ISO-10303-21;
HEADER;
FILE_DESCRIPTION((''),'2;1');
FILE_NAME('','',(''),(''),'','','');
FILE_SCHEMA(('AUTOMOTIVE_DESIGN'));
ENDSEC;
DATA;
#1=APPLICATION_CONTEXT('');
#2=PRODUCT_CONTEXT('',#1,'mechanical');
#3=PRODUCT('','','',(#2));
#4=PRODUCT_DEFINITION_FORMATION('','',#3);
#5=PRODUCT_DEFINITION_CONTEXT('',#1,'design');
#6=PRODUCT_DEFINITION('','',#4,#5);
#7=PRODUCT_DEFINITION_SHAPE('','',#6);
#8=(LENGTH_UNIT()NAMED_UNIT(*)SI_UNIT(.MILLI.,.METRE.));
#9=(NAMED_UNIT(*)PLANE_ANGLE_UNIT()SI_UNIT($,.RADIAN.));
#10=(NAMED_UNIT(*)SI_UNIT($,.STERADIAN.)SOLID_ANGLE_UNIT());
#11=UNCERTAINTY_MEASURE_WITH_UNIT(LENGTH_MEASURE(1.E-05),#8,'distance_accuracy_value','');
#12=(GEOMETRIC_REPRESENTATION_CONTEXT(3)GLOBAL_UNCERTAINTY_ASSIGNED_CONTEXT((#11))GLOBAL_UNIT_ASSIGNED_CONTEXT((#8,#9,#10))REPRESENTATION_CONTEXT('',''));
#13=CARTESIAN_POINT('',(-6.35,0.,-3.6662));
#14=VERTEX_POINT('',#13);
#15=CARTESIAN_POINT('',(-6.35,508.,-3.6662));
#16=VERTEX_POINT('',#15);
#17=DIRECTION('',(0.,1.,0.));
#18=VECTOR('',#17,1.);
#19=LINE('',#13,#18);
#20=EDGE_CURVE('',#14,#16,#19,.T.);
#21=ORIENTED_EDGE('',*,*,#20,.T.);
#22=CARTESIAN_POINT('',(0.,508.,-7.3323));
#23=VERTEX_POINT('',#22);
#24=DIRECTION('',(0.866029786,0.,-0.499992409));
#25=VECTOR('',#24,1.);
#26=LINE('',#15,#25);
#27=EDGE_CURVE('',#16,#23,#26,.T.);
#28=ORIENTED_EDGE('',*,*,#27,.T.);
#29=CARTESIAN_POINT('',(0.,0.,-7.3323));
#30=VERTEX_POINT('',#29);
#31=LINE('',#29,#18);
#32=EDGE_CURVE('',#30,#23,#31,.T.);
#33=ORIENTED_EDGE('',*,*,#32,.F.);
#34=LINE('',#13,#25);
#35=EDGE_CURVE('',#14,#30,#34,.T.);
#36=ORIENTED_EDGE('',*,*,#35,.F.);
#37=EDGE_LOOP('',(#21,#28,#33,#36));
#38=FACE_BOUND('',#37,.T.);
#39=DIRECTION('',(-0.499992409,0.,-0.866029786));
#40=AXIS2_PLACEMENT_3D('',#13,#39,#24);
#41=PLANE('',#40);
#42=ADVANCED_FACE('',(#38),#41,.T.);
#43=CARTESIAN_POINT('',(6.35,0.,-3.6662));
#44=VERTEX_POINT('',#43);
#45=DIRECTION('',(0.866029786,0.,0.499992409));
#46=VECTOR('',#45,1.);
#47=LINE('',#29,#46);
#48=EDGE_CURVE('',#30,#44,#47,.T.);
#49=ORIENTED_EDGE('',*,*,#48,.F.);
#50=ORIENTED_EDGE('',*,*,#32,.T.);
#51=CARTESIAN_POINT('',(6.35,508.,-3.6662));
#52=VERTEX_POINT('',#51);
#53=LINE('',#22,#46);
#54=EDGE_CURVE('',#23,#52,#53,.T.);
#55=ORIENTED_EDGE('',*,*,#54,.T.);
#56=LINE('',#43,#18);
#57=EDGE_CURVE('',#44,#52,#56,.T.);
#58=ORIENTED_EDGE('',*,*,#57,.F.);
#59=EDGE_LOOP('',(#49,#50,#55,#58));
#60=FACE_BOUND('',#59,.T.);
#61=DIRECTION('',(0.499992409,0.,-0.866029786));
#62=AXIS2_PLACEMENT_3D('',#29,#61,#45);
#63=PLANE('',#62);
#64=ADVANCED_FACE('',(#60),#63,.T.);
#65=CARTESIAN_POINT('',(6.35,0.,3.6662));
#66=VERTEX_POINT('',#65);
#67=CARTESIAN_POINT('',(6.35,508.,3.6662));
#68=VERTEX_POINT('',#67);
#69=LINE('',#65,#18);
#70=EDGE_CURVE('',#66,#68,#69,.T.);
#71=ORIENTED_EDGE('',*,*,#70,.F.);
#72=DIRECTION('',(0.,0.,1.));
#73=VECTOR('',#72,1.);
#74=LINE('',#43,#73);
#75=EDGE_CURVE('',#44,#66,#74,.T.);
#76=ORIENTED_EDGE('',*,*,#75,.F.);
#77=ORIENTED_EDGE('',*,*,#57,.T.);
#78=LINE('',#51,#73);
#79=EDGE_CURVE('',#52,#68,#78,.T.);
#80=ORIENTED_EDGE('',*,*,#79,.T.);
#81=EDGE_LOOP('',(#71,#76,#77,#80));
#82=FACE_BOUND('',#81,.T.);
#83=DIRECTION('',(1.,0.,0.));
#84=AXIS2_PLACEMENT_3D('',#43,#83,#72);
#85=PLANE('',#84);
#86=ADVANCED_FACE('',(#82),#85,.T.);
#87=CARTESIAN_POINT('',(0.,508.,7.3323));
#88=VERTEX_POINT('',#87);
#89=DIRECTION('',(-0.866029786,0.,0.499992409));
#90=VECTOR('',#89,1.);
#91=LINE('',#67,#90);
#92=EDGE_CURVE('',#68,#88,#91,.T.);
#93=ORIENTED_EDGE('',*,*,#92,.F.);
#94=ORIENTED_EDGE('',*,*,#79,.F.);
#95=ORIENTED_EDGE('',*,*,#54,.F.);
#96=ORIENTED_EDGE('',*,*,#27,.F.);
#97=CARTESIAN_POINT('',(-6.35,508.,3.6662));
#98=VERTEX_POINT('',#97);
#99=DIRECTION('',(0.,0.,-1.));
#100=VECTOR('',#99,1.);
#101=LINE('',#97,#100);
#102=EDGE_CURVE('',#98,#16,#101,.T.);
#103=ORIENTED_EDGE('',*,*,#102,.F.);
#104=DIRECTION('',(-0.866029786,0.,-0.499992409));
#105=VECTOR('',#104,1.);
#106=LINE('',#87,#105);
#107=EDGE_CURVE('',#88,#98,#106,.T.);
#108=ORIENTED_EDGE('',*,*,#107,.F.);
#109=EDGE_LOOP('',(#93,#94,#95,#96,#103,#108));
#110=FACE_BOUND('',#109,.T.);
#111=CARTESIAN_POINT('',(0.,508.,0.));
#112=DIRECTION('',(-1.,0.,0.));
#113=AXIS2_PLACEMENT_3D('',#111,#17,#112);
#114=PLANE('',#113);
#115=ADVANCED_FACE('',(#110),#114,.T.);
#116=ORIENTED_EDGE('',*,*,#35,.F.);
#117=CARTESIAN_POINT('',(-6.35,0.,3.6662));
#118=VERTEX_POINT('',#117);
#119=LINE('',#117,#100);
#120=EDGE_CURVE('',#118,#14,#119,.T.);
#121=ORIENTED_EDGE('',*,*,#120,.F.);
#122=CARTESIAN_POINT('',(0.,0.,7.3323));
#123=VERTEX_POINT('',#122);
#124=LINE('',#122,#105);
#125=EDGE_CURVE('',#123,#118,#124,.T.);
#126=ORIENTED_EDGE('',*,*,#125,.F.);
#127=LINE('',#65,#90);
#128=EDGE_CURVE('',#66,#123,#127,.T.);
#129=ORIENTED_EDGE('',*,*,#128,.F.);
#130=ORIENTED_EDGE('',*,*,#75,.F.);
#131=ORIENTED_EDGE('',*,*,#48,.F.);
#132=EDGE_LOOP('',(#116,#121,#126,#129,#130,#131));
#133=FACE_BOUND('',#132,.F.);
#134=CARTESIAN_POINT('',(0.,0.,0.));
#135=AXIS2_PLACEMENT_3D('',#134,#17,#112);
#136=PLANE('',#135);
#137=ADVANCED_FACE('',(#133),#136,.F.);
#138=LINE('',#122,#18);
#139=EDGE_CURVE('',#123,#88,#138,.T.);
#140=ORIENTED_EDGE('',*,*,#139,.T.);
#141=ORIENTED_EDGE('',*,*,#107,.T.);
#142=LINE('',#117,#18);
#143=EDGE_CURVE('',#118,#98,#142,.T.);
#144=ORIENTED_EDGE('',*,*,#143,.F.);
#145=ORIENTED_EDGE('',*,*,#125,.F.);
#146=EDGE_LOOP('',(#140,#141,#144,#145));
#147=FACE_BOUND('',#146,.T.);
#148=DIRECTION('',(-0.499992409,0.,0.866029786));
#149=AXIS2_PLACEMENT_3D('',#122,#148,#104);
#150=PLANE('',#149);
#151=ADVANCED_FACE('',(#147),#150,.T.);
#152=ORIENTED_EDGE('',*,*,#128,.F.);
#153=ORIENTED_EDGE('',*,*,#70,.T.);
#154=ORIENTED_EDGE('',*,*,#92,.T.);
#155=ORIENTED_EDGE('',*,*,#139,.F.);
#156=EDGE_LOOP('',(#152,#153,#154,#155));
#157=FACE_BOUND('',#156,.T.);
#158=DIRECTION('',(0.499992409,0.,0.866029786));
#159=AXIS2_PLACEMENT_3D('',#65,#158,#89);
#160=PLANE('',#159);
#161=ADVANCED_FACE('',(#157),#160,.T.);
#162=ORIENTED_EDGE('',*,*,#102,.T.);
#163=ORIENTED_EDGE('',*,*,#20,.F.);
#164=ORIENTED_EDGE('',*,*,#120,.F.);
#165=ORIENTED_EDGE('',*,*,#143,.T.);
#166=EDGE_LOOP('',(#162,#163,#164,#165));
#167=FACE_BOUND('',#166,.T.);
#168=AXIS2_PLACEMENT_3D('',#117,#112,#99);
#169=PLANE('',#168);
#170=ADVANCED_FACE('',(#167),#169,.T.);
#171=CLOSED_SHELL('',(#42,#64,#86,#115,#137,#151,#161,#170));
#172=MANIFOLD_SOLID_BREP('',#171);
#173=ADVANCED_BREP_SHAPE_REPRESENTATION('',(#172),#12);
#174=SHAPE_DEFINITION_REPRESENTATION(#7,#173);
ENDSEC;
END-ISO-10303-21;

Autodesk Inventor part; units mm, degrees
ref_plane "YZ Plane" through (0, 0, 0) normal (1, 0, 0) x (0, 1, 0)
ref_plane "XZ Plane" through (0, 0, 0) normal (0, 1, 0) x (-1, 0, 0)
ref_plane "XY Plane" through (0, 0, 0) normal (0, 0, 1) x (1, 0, 0)
sketch "Sketch1" plane through (0, 0, 0) normal (0, 1, 0) x (-1, 0, 0)
  line L0 (0, -7.3323) -> (-6.35, -3.6662)
  line L1 (-6.35, -3.6662) -> (-6.35, 3.6662)
  line L2 (-6.35, 3.6662) -> (0, 7.3323)
  line L3 (0, 7.3323) -> (6.35, 3.6662)
  line L4 (6.35, 3.6662) -> (6.35, -3.6662)
  line L5 (6.35, -3.6662) -> (0, -7.3323)
  point P0 (0, 0)
  point P1 (0, 0)
  dimension "d0" = 12.7
extrude "Extrusion1" add sketch "Sketch1" along normal blind 508
properties part number "axel"
